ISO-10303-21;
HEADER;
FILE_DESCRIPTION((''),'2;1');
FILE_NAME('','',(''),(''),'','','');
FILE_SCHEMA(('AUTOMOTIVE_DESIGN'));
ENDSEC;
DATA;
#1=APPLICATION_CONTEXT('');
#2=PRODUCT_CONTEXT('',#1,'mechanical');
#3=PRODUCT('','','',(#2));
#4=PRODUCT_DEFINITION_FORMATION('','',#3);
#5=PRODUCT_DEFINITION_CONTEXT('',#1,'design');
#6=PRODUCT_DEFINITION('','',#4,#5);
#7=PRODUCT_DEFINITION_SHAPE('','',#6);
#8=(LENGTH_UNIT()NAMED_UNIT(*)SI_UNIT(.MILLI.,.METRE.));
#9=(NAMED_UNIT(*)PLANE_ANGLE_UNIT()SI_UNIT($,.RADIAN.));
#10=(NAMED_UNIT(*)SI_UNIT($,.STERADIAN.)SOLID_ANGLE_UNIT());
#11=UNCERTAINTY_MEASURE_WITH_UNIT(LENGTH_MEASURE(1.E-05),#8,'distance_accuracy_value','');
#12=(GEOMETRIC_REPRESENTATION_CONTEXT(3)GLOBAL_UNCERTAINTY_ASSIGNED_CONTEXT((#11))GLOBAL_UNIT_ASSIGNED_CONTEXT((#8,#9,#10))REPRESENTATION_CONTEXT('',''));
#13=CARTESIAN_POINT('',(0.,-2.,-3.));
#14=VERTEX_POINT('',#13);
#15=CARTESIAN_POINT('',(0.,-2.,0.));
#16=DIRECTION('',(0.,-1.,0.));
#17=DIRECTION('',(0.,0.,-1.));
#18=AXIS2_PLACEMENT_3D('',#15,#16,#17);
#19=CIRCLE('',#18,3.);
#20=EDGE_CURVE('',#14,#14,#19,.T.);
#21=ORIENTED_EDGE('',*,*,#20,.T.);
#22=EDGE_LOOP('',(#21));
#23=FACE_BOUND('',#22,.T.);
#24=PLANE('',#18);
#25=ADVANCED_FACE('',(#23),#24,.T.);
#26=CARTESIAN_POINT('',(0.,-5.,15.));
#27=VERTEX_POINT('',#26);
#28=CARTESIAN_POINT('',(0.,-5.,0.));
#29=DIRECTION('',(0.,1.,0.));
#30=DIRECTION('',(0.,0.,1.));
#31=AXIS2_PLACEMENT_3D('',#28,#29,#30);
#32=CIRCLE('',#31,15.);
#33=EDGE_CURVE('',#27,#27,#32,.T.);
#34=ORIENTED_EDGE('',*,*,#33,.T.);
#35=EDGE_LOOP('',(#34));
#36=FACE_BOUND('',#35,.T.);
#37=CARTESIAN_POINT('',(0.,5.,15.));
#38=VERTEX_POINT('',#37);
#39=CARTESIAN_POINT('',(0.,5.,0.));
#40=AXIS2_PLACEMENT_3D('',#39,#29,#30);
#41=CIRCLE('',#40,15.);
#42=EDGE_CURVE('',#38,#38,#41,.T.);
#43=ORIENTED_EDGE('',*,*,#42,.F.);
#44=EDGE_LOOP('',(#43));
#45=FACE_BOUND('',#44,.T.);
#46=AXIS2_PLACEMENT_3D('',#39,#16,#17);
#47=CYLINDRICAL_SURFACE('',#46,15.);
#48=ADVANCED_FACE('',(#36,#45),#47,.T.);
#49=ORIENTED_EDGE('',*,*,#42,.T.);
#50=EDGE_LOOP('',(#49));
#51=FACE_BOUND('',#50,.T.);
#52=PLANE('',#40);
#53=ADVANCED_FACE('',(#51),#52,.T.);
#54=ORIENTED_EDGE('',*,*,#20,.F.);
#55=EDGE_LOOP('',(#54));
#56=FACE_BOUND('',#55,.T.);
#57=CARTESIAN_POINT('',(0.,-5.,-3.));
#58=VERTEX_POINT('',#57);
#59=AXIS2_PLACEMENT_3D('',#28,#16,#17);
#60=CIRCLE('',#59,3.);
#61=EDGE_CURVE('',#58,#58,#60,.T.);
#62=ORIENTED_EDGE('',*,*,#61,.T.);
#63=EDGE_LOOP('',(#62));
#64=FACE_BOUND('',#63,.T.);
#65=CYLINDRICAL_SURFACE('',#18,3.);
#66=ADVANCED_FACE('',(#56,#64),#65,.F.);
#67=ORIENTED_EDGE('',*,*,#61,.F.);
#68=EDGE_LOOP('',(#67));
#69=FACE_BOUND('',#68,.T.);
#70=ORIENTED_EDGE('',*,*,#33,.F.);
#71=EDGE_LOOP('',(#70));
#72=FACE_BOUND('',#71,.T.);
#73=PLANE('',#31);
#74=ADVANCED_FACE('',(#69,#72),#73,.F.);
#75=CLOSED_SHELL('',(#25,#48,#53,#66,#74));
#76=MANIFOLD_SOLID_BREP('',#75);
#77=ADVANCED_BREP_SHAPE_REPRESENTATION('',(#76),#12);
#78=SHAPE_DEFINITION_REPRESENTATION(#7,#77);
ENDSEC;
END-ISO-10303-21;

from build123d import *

# Parameters (mm, degrees)
SKETCH2_R           = 15
BOSS_EXTRUDE1_DEPTH = 5
SKETCH4_R           = 3
CUT_EXTRUDE2_DEPTH  = 3


with BuildPart() as part:
    # Sketch2 → Boss-Extrude1 (new body, symmetric)
    with BuildSketch(Plane(origin=(0, 0, 0), x_dir=(1, 0, 0), z_dir=(0, 1, 0))):
        Circle(SKETCH2_R)
    extrude(amount=BOSS_EXTRUDE1_DEPTH, both=True)

    # Sketch4 → Cut-Extrude2 (cut)
    with BuildSketch(Plane(origin=(0, -5, 0), x_dir=(-1, 0, 0), z_dir=(0, -1, 0))):
        Circle(SKETCH4_R)
    extrude(amount=-CUT_EXTRUDE2_DEPTH, mode=Mode.SUBTRACT)


solid = part.part
